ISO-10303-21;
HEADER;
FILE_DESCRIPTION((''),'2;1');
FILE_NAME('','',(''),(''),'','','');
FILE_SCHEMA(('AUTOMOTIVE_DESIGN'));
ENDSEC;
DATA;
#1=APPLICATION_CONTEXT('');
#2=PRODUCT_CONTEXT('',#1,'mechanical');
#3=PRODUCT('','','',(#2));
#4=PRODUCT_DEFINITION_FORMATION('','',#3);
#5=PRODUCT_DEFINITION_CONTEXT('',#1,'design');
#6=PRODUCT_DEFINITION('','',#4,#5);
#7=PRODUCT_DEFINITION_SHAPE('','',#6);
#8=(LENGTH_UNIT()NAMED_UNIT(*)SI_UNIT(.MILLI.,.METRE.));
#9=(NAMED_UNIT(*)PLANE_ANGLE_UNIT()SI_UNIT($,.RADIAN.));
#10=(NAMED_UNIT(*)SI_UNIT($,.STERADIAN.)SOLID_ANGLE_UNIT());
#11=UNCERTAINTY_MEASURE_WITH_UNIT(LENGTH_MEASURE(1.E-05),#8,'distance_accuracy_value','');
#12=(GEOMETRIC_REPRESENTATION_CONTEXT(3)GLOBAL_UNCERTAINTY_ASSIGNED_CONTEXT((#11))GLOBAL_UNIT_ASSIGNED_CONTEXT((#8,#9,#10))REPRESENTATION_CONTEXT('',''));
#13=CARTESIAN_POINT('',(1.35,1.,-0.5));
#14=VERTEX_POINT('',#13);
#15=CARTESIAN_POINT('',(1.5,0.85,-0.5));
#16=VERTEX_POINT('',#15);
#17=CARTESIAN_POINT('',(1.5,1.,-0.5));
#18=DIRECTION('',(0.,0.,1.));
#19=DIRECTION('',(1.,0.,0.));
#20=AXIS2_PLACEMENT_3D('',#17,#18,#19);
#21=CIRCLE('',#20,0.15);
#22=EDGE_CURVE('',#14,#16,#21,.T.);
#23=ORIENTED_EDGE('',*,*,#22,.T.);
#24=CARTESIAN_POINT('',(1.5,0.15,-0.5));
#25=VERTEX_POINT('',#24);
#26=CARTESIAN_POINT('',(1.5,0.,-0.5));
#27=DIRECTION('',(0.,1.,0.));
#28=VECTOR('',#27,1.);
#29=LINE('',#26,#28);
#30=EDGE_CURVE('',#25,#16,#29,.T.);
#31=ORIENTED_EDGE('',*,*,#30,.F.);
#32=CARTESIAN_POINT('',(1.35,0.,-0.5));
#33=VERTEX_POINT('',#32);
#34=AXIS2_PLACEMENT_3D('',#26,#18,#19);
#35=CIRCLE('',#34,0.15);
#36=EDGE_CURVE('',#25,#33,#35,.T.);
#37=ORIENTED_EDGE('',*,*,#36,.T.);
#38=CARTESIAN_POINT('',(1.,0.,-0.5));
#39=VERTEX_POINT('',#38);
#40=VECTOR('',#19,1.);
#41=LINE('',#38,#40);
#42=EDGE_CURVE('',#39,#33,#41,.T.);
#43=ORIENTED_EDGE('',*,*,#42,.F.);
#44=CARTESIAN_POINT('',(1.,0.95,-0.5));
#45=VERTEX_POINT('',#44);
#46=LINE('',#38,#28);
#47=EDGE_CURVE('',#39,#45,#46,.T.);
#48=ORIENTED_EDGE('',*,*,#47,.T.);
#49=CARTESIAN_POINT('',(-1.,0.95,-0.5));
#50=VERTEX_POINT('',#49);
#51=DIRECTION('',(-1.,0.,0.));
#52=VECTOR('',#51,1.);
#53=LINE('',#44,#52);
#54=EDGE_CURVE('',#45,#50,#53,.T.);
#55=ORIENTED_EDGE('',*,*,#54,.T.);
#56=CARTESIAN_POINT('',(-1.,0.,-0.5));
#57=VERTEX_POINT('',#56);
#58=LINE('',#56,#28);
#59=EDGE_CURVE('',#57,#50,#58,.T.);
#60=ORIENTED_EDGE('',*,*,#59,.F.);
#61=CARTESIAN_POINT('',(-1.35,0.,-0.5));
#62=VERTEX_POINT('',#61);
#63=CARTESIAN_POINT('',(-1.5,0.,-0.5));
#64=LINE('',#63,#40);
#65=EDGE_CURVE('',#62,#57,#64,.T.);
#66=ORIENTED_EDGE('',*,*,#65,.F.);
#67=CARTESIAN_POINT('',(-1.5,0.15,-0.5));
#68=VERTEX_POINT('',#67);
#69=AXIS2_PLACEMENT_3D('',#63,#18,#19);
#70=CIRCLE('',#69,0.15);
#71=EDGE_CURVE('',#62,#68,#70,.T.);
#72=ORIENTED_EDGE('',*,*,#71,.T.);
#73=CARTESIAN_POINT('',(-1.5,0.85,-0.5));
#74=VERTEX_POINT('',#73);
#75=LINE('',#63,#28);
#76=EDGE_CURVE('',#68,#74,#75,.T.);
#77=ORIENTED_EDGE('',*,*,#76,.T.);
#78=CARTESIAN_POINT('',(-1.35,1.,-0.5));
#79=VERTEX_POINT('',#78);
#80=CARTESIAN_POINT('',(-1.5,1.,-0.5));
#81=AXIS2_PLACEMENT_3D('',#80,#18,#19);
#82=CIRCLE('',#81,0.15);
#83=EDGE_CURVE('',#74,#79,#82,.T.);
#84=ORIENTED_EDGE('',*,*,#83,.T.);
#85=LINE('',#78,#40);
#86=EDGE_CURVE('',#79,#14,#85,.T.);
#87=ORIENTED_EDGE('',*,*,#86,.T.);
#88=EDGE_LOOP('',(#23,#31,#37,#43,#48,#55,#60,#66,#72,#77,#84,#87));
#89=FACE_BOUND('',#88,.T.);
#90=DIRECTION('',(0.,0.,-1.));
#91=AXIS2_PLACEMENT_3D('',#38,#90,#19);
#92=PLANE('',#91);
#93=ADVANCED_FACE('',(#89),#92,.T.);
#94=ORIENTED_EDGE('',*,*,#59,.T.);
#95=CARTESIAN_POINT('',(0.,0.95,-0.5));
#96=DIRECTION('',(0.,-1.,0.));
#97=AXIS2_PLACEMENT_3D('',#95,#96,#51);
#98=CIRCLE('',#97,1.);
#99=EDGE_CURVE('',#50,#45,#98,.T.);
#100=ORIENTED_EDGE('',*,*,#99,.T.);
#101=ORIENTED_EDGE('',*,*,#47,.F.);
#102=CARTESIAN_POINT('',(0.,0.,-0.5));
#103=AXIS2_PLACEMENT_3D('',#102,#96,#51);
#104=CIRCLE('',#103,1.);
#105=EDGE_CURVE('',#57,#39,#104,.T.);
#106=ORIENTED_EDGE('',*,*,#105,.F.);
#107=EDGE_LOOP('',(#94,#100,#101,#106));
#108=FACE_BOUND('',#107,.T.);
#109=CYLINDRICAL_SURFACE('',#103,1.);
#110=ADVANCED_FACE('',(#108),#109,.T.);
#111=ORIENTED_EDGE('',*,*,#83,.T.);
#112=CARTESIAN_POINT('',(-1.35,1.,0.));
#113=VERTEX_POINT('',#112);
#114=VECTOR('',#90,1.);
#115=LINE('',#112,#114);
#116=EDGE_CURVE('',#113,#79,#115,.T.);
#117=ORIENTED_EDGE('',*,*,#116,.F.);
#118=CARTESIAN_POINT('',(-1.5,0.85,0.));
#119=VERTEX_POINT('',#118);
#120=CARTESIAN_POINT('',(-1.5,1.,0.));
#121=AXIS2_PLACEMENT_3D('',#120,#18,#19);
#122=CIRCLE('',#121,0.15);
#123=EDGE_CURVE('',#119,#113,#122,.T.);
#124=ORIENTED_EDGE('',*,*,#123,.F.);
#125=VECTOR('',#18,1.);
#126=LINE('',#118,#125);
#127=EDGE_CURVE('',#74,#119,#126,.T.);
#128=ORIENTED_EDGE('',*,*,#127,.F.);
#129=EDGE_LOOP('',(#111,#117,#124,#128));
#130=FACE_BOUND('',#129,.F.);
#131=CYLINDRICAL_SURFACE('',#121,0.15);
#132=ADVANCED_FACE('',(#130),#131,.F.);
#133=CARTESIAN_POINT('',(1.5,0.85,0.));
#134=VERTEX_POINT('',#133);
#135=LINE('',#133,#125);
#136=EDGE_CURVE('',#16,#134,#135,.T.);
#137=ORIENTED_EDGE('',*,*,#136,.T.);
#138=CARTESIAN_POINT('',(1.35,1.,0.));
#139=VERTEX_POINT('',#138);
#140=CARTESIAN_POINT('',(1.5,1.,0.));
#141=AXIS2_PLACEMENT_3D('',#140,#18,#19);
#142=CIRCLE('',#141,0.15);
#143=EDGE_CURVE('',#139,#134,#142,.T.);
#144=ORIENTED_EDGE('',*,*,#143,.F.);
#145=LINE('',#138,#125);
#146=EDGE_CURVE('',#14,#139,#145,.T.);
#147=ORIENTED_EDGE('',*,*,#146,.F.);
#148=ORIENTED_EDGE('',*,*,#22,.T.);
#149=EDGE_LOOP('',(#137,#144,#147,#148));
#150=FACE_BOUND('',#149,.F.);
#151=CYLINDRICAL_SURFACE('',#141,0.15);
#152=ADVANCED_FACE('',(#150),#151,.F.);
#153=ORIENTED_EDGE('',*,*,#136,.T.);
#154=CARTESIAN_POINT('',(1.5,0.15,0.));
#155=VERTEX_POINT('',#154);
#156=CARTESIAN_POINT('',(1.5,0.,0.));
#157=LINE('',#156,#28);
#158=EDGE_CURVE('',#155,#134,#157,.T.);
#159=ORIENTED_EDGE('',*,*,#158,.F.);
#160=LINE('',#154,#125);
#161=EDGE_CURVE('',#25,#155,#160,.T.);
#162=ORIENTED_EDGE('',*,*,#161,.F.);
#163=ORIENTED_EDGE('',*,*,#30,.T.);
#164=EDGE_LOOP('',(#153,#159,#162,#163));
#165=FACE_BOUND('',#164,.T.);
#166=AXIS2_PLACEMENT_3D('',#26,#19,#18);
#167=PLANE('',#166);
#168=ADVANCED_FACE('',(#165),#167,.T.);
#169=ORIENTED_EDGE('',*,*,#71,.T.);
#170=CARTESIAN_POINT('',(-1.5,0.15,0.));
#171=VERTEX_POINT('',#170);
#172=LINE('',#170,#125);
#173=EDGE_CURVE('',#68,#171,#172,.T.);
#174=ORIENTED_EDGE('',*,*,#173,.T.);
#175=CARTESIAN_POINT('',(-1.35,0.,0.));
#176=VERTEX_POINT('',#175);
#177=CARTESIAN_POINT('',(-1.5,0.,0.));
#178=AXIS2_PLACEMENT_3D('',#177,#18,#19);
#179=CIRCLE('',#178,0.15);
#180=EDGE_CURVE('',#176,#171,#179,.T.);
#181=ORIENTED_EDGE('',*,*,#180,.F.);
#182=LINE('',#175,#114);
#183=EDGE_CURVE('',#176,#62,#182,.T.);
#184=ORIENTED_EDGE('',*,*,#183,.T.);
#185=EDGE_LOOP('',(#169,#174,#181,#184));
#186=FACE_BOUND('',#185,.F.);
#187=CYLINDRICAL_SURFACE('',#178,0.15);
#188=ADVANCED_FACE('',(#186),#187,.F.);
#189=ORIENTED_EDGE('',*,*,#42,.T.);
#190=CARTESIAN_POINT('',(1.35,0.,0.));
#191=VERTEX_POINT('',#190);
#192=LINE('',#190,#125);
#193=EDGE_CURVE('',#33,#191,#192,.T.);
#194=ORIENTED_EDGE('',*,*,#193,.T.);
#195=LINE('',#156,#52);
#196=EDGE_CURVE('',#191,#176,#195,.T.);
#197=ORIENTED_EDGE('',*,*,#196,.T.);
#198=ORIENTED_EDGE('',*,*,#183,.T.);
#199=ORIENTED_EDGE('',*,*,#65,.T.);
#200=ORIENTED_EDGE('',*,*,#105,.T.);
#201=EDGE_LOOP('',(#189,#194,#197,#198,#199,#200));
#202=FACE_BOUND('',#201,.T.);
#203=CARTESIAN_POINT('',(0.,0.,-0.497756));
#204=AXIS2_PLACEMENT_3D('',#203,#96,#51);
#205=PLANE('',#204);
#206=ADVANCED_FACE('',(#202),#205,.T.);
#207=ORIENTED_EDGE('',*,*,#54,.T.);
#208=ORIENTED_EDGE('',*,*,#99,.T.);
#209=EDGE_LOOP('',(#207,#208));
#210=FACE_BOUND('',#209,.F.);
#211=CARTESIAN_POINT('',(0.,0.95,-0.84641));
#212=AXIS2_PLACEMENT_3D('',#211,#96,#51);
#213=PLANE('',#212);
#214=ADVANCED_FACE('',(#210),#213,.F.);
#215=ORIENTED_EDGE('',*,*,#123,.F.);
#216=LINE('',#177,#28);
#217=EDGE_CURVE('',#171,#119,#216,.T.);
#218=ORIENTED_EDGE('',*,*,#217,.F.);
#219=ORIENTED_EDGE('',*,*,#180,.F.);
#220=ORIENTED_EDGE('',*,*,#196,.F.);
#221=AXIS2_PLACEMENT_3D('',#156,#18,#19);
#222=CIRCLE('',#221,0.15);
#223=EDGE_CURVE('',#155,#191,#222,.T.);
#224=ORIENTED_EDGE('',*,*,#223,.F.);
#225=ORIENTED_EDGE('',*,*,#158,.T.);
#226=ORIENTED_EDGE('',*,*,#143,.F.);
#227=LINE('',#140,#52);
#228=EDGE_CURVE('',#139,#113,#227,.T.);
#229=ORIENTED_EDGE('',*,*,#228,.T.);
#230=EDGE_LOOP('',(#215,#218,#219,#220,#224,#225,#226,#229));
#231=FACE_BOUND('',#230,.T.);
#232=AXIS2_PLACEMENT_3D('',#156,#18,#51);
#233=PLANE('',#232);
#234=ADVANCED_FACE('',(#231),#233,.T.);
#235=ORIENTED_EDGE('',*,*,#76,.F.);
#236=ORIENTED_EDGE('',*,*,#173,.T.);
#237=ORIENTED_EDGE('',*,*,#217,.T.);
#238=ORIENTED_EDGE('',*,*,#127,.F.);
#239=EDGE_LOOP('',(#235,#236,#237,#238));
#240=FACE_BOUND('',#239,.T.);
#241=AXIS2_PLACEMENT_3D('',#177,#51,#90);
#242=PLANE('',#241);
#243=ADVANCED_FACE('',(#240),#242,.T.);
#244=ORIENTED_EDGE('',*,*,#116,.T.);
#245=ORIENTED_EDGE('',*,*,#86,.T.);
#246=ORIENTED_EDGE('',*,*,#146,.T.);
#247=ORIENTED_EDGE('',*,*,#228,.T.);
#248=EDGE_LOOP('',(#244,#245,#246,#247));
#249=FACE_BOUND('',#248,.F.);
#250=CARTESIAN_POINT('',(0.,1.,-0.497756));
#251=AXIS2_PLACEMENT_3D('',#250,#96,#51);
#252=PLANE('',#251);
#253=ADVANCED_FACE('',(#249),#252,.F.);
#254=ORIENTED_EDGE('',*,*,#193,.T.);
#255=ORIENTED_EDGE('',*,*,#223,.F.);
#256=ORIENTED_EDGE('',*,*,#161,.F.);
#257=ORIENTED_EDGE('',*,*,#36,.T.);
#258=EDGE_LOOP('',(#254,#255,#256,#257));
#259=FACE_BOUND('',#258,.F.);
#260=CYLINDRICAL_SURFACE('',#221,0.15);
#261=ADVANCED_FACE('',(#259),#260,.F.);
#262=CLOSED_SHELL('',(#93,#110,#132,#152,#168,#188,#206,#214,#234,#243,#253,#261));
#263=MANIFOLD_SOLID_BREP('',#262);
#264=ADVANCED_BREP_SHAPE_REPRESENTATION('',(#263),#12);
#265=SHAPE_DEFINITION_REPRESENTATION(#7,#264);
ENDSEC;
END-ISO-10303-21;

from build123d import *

# Parameters (mm, degrees)
BOSS_EXTRUDE1_DEPTH = 1
SKETCH2_R           = 0.15
CUT_EXTRUDE1_DEPTH  = 2.5
CUT_EXTRUDE2_DEPTH  = 0.05


with BuildPart() as part:
    # Sketch1 → Boss-Extrude1 (new body)
    with BuildSketch(Plane(origin=(0, 0, 0), x_dir=(1, 0, 0), z_dir=(0, 1, 0))):
        with BuildLine():
            Line((1, 0.5), (1.5, 0.5))
            Line((1.5, 0.5), (1.5, 0))
            Line((1.5, 0), (-1.5, 0))
            Line((-1.5, 0), (-1.5, 0.5))
            Line((-1.5, 0.5), (-1, 0.5))
            ThreePointArc((-1, 0.5), (0, 1.5), (1, 0.5))
        make_face()
    extrude(amount=BOSS_EXTRUDE1_DEPTH)

    # Sketch2 → Cut-Extrude1 (cut, through all)
    with BuildSketch(Plane.XY):
        with Locations((1.5, 1)):
            Circle(SKETCH2_R)
        with Locations((1.5, 0)):
            Circle(SKETCH2_R)
        with Locations((-1.5, 1)):
            Circle(SKETCH2_R)
        with Locations((-1.5, 0)):
            Circle(SKETCH2_R)
    extrude(amount=-CUT_EXTRUDE1_DEPTH, mode=Mode.SUBTRACT)

    # Sketch4 → Cut-Extrude2 (cut)
    with BuildSketch(Plane(origin=(0, 1, 0), x_dir=(1, 0, 0), z_dir=(0, 1, 0))):
        with BuildLine():
            Line((1, 0.5), (-1, 0.5))
            ThreePointArc((-1, 0.5), (0, 1.5), (1, 0.5))
        make_face()
    extrude(amount=-CUT_EXTRUDE2_DEPTH, mode=Mode.SUBTRACT)


solid = part.part
